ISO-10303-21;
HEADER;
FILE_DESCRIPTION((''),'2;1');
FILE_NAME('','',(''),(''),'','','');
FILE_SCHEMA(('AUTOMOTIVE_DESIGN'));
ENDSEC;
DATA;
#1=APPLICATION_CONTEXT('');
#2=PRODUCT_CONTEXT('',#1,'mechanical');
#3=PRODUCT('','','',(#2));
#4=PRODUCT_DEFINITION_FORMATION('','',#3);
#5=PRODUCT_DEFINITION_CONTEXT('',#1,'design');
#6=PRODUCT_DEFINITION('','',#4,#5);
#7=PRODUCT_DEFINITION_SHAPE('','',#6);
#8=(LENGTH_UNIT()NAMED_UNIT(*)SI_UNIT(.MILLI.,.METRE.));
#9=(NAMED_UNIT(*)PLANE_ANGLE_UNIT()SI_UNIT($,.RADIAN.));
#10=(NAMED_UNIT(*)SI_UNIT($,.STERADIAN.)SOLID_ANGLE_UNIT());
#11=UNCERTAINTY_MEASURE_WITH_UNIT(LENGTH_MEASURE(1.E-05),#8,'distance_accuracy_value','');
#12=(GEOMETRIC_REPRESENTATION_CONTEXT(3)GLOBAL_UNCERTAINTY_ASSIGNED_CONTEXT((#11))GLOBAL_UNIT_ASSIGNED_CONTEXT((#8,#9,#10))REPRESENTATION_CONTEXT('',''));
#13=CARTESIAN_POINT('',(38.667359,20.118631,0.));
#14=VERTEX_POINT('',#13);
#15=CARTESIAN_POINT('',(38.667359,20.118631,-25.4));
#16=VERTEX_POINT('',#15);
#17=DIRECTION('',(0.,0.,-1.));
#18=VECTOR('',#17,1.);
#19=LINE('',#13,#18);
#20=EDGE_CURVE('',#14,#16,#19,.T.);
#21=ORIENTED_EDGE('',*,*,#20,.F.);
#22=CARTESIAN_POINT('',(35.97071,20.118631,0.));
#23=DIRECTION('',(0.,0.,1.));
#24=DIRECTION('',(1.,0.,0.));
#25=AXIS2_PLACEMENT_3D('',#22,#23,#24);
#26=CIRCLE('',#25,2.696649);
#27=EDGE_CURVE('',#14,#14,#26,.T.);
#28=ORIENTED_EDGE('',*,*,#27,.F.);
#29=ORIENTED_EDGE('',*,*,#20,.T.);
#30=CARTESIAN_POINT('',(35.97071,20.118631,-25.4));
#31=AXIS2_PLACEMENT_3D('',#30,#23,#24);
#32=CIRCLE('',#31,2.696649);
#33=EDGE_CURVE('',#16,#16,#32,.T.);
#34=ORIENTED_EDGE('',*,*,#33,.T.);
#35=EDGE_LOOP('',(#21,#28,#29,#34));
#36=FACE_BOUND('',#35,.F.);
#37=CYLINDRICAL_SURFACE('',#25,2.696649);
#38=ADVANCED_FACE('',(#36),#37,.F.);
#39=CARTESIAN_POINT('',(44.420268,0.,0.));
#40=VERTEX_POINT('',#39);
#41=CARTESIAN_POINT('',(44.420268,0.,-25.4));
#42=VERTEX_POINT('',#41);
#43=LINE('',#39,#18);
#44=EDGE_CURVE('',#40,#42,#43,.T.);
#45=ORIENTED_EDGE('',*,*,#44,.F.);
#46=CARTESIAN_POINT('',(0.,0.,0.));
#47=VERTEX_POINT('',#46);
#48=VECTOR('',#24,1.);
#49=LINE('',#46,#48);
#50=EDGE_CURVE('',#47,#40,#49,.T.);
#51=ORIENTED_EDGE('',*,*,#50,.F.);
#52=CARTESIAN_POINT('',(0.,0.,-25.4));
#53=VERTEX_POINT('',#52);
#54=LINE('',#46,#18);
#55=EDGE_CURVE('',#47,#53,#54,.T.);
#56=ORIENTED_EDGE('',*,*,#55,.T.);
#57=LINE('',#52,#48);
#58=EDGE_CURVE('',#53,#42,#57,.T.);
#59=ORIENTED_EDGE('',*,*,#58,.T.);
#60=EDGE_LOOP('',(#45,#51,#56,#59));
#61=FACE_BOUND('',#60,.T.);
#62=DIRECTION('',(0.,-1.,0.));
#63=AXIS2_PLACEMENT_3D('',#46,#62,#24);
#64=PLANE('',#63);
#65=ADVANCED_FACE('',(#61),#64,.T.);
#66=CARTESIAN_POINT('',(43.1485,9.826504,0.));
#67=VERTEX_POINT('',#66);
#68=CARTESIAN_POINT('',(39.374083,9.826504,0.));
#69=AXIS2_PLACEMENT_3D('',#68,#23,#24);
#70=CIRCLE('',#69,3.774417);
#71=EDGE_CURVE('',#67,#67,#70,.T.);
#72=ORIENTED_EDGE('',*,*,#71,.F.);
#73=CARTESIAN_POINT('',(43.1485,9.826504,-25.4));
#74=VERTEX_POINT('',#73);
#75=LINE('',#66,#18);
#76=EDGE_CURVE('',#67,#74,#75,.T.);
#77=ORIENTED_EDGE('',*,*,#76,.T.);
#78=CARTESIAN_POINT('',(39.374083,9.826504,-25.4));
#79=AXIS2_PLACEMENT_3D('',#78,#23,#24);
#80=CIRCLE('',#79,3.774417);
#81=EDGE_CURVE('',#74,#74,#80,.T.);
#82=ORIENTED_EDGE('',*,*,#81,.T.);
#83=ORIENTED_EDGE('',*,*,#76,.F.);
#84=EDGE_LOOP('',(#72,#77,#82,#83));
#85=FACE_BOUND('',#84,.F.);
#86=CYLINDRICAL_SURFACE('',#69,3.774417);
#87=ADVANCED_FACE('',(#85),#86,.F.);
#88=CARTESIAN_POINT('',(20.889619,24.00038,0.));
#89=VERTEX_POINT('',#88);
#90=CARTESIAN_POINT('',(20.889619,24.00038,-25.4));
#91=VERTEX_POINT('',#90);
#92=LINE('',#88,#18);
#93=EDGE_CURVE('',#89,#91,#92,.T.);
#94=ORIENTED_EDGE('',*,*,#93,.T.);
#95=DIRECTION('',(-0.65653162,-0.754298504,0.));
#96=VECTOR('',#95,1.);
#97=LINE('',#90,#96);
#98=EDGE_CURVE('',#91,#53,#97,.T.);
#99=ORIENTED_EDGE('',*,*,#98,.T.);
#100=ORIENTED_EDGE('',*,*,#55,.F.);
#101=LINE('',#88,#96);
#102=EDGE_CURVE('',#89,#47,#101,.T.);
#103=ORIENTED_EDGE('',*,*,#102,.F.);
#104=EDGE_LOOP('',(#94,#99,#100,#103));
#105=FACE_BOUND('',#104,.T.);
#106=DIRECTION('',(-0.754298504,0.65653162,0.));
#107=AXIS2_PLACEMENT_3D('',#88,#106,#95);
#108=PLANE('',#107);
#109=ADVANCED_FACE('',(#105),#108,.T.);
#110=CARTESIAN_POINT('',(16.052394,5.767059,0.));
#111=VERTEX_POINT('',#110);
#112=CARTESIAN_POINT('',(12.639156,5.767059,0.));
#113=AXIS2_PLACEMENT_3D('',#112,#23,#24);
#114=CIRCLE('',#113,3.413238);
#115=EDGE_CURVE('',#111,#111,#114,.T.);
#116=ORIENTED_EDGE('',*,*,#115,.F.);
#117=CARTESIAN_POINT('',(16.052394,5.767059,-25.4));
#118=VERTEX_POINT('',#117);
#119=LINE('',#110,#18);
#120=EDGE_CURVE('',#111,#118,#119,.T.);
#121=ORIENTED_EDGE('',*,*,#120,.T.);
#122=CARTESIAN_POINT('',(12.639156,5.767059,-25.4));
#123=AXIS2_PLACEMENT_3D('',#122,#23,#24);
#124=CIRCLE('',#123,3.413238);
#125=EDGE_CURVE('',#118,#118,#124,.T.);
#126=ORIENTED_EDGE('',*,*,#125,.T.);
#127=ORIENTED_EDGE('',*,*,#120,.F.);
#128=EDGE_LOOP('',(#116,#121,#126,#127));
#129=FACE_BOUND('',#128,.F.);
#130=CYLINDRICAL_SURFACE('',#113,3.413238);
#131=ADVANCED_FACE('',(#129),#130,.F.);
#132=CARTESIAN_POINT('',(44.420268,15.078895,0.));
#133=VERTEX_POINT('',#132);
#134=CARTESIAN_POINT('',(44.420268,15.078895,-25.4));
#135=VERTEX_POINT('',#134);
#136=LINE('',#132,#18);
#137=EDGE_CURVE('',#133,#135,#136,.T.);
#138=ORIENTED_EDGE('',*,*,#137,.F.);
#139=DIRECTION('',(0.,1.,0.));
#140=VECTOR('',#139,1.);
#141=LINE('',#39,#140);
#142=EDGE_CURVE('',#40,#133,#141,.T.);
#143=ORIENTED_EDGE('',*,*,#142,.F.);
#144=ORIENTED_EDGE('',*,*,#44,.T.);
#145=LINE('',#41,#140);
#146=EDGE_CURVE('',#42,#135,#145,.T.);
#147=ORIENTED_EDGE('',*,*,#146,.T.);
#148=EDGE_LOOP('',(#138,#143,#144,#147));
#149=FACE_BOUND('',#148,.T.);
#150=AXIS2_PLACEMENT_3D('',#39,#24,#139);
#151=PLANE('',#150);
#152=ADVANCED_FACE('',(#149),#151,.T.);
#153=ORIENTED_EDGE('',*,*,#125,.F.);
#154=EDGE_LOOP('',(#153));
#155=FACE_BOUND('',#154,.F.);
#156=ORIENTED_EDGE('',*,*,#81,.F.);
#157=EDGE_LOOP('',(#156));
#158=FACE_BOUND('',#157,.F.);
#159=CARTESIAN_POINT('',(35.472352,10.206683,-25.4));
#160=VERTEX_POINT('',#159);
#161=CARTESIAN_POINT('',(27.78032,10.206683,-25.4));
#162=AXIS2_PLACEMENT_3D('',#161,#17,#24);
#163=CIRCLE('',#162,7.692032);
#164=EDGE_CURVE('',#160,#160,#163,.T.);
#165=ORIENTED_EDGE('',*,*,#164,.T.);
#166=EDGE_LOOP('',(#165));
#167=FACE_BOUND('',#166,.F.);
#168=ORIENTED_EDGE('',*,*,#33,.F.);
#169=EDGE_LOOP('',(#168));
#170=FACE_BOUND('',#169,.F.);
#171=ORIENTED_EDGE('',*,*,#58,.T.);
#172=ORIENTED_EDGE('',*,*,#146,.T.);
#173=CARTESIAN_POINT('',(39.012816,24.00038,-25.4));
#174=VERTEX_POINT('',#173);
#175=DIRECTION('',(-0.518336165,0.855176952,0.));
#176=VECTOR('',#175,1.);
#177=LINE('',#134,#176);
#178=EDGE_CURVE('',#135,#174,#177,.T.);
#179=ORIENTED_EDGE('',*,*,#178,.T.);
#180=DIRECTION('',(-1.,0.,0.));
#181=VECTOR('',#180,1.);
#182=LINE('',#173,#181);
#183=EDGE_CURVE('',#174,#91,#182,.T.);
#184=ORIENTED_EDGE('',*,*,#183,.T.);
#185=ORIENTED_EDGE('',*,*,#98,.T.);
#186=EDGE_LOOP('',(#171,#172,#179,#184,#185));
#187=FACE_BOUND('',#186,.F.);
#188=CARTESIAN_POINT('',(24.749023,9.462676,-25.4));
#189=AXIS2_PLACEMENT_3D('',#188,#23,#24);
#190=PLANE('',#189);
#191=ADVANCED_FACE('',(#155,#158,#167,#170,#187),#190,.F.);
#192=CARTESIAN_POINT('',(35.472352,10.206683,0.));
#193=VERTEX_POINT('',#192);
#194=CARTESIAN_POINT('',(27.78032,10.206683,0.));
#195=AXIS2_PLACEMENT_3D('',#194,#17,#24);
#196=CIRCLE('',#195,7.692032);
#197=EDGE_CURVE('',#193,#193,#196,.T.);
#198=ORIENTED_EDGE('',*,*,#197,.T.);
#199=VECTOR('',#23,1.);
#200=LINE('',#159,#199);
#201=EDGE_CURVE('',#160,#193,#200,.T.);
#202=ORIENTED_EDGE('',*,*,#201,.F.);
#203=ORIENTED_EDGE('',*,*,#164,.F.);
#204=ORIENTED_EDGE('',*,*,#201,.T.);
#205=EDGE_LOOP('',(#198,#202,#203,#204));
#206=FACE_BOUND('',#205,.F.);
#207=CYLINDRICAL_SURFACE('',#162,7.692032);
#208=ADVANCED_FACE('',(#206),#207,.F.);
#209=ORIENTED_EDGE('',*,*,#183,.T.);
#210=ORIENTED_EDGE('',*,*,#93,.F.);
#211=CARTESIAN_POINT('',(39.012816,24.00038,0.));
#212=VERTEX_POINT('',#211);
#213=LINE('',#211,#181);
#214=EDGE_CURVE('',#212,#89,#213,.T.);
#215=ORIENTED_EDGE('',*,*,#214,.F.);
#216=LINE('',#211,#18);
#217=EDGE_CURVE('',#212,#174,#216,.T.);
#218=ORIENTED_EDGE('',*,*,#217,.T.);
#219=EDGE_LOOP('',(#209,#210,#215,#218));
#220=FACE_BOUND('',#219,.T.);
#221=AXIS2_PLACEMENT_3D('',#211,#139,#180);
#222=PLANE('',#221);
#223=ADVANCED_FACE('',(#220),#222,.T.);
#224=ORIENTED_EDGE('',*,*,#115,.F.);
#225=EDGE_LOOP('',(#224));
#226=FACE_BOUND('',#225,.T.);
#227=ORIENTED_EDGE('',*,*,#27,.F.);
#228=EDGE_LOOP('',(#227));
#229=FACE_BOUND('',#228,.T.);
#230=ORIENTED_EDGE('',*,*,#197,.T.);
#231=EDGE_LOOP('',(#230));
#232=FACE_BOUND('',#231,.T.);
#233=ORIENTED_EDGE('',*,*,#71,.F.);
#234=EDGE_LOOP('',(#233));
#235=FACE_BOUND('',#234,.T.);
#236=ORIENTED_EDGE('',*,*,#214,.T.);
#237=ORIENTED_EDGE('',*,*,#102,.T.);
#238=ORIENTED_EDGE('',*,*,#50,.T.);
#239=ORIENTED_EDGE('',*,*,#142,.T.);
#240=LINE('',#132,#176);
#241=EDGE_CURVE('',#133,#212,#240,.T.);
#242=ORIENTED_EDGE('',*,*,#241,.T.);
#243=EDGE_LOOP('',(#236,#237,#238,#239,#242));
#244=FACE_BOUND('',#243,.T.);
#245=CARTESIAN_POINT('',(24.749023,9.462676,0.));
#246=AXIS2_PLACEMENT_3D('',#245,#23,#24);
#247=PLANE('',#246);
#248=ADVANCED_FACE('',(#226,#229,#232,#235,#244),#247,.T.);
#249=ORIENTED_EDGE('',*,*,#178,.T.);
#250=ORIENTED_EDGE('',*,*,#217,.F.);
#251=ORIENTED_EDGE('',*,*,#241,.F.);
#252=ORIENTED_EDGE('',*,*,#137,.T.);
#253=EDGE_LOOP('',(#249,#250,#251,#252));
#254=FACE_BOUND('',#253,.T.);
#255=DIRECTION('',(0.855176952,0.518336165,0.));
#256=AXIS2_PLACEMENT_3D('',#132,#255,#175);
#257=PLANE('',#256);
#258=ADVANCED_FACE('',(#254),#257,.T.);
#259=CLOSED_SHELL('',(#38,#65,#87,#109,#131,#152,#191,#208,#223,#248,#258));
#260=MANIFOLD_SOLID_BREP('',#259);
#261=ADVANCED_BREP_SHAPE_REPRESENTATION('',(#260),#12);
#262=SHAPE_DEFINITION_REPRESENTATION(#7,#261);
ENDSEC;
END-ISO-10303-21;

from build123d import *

# Parameters (mm, degrees)
F1_DEPTH = 25.4
F2_R     = 7.692032
F3_DEPTH = 25.4
F5_R     = 2.696649
F5_R_2   = 3.774417
F5_R_3   = 3.413238
F6_DEPTH = 25.4


with BuildPart() as f1:
    # F0 (on Top) → F1 (new body)
    with BuildSketch(Plane.XY):
        Polygon((20.889619, 24.00038), (0, 0), (44.420268, 0), (44.420268, 15.078895), (39.012816, 24.00038), align=None)
    extrude(amount=-F1_DEPTH)

    # F2 (on face) → F3 (cut)
    with BuildSketch(Plane(origin=(0, 0, -25.4), x_dir=(1, 0, 0), z_dir=(0, 0, -1))):
        with Locations((27.78032, -10.206683)):
            Circle(F2_R)
    extrude(amount=-F3_DEPTH, mode=Mode.SUBTRACT)

    # F5 (on face) → F6 (cut)
    with BuildSketch(Plane.XY):
        with Locations((35.97071, 20.118631)):
            Circle(F5_R)
        with Locations((39.374083, 9.826504)):
            Circle(F5_R_2)
        with Locations((12.639156, 5.767059)):
            Circle(F5_R_3)
    extrude(amount=-F6_DEPTH, mode=Mode.SUBTRACT)


solid = f1.part
